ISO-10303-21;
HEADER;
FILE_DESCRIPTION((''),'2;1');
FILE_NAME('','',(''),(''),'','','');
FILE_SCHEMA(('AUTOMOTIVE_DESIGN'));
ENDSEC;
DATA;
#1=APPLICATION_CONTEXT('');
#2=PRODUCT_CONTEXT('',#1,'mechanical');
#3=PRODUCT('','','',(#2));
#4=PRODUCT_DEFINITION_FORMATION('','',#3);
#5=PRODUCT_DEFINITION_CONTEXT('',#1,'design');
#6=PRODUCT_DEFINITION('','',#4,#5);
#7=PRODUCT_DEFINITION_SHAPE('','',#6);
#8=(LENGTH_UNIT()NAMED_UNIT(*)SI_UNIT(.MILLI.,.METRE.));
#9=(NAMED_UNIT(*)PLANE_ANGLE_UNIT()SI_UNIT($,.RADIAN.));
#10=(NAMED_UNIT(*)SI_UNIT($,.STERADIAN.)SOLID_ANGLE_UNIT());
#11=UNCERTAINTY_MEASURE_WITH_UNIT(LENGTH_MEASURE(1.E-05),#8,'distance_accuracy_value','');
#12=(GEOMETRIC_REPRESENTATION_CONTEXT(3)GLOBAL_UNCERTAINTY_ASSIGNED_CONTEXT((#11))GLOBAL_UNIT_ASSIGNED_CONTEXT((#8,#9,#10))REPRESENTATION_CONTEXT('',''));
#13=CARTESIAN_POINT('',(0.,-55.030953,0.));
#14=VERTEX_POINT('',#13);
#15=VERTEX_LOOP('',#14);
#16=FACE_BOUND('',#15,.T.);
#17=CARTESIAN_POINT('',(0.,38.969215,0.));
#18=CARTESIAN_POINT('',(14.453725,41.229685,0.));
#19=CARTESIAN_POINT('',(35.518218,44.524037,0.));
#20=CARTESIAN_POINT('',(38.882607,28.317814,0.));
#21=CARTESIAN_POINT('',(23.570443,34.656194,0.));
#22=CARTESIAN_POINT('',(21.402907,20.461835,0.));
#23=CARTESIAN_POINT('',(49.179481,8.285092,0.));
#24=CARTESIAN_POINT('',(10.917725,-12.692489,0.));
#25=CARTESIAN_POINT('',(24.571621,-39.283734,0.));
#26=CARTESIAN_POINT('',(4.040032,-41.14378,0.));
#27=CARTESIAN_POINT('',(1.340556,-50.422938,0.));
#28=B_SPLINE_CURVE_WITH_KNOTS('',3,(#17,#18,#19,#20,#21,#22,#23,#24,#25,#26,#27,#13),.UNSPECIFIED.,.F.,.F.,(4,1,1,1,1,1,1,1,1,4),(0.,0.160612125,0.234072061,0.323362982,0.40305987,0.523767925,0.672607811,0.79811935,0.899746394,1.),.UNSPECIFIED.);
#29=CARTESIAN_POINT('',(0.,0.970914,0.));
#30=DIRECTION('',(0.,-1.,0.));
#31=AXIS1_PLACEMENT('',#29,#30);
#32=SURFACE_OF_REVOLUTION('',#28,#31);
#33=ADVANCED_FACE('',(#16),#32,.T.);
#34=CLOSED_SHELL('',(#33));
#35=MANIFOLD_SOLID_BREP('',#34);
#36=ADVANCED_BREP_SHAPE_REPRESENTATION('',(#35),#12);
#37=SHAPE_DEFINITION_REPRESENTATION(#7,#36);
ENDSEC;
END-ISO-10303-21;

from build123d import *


with BuildPart() as f1:
    # F0 (on Top) → F1 (revolve)
    with BuildSketch(Plane.XY):
        with BuildLine():
            add(Edge.make_bspline(
                [(0, 38.9692150056), (14.4537245677, 41.2296848129), (35.518218239, 44.5240365024), (38.882607143, 28.3178143759), (23.5704426362, 34.6561937908), (21.4029073827, 20.4618349289), (49.1794805429, 8.2850921837), (10.9177247045, -12.692488517), (24.5716214387, -39.2837340583), (4.0400316376, -41.143779512), (1.3405555055, -50.4229379719), (0, -55.0309531391)],
                knots=[0, 0, 0, 0, 0.1606121251, 0.2340720605, 0.3233629816, 0.40305987, 0.5237679246, 0.6726078108, 0.7981193498, 0.8997463938, 1, 1, 1, 1], degree=3))
            Line((0, 38.9692150056), (0, -55.0309531391))
        make_face()
    revolve(axis=Axis((0, 0.9709140182, 0), (0, -1, 0)))


solid = f1.part
